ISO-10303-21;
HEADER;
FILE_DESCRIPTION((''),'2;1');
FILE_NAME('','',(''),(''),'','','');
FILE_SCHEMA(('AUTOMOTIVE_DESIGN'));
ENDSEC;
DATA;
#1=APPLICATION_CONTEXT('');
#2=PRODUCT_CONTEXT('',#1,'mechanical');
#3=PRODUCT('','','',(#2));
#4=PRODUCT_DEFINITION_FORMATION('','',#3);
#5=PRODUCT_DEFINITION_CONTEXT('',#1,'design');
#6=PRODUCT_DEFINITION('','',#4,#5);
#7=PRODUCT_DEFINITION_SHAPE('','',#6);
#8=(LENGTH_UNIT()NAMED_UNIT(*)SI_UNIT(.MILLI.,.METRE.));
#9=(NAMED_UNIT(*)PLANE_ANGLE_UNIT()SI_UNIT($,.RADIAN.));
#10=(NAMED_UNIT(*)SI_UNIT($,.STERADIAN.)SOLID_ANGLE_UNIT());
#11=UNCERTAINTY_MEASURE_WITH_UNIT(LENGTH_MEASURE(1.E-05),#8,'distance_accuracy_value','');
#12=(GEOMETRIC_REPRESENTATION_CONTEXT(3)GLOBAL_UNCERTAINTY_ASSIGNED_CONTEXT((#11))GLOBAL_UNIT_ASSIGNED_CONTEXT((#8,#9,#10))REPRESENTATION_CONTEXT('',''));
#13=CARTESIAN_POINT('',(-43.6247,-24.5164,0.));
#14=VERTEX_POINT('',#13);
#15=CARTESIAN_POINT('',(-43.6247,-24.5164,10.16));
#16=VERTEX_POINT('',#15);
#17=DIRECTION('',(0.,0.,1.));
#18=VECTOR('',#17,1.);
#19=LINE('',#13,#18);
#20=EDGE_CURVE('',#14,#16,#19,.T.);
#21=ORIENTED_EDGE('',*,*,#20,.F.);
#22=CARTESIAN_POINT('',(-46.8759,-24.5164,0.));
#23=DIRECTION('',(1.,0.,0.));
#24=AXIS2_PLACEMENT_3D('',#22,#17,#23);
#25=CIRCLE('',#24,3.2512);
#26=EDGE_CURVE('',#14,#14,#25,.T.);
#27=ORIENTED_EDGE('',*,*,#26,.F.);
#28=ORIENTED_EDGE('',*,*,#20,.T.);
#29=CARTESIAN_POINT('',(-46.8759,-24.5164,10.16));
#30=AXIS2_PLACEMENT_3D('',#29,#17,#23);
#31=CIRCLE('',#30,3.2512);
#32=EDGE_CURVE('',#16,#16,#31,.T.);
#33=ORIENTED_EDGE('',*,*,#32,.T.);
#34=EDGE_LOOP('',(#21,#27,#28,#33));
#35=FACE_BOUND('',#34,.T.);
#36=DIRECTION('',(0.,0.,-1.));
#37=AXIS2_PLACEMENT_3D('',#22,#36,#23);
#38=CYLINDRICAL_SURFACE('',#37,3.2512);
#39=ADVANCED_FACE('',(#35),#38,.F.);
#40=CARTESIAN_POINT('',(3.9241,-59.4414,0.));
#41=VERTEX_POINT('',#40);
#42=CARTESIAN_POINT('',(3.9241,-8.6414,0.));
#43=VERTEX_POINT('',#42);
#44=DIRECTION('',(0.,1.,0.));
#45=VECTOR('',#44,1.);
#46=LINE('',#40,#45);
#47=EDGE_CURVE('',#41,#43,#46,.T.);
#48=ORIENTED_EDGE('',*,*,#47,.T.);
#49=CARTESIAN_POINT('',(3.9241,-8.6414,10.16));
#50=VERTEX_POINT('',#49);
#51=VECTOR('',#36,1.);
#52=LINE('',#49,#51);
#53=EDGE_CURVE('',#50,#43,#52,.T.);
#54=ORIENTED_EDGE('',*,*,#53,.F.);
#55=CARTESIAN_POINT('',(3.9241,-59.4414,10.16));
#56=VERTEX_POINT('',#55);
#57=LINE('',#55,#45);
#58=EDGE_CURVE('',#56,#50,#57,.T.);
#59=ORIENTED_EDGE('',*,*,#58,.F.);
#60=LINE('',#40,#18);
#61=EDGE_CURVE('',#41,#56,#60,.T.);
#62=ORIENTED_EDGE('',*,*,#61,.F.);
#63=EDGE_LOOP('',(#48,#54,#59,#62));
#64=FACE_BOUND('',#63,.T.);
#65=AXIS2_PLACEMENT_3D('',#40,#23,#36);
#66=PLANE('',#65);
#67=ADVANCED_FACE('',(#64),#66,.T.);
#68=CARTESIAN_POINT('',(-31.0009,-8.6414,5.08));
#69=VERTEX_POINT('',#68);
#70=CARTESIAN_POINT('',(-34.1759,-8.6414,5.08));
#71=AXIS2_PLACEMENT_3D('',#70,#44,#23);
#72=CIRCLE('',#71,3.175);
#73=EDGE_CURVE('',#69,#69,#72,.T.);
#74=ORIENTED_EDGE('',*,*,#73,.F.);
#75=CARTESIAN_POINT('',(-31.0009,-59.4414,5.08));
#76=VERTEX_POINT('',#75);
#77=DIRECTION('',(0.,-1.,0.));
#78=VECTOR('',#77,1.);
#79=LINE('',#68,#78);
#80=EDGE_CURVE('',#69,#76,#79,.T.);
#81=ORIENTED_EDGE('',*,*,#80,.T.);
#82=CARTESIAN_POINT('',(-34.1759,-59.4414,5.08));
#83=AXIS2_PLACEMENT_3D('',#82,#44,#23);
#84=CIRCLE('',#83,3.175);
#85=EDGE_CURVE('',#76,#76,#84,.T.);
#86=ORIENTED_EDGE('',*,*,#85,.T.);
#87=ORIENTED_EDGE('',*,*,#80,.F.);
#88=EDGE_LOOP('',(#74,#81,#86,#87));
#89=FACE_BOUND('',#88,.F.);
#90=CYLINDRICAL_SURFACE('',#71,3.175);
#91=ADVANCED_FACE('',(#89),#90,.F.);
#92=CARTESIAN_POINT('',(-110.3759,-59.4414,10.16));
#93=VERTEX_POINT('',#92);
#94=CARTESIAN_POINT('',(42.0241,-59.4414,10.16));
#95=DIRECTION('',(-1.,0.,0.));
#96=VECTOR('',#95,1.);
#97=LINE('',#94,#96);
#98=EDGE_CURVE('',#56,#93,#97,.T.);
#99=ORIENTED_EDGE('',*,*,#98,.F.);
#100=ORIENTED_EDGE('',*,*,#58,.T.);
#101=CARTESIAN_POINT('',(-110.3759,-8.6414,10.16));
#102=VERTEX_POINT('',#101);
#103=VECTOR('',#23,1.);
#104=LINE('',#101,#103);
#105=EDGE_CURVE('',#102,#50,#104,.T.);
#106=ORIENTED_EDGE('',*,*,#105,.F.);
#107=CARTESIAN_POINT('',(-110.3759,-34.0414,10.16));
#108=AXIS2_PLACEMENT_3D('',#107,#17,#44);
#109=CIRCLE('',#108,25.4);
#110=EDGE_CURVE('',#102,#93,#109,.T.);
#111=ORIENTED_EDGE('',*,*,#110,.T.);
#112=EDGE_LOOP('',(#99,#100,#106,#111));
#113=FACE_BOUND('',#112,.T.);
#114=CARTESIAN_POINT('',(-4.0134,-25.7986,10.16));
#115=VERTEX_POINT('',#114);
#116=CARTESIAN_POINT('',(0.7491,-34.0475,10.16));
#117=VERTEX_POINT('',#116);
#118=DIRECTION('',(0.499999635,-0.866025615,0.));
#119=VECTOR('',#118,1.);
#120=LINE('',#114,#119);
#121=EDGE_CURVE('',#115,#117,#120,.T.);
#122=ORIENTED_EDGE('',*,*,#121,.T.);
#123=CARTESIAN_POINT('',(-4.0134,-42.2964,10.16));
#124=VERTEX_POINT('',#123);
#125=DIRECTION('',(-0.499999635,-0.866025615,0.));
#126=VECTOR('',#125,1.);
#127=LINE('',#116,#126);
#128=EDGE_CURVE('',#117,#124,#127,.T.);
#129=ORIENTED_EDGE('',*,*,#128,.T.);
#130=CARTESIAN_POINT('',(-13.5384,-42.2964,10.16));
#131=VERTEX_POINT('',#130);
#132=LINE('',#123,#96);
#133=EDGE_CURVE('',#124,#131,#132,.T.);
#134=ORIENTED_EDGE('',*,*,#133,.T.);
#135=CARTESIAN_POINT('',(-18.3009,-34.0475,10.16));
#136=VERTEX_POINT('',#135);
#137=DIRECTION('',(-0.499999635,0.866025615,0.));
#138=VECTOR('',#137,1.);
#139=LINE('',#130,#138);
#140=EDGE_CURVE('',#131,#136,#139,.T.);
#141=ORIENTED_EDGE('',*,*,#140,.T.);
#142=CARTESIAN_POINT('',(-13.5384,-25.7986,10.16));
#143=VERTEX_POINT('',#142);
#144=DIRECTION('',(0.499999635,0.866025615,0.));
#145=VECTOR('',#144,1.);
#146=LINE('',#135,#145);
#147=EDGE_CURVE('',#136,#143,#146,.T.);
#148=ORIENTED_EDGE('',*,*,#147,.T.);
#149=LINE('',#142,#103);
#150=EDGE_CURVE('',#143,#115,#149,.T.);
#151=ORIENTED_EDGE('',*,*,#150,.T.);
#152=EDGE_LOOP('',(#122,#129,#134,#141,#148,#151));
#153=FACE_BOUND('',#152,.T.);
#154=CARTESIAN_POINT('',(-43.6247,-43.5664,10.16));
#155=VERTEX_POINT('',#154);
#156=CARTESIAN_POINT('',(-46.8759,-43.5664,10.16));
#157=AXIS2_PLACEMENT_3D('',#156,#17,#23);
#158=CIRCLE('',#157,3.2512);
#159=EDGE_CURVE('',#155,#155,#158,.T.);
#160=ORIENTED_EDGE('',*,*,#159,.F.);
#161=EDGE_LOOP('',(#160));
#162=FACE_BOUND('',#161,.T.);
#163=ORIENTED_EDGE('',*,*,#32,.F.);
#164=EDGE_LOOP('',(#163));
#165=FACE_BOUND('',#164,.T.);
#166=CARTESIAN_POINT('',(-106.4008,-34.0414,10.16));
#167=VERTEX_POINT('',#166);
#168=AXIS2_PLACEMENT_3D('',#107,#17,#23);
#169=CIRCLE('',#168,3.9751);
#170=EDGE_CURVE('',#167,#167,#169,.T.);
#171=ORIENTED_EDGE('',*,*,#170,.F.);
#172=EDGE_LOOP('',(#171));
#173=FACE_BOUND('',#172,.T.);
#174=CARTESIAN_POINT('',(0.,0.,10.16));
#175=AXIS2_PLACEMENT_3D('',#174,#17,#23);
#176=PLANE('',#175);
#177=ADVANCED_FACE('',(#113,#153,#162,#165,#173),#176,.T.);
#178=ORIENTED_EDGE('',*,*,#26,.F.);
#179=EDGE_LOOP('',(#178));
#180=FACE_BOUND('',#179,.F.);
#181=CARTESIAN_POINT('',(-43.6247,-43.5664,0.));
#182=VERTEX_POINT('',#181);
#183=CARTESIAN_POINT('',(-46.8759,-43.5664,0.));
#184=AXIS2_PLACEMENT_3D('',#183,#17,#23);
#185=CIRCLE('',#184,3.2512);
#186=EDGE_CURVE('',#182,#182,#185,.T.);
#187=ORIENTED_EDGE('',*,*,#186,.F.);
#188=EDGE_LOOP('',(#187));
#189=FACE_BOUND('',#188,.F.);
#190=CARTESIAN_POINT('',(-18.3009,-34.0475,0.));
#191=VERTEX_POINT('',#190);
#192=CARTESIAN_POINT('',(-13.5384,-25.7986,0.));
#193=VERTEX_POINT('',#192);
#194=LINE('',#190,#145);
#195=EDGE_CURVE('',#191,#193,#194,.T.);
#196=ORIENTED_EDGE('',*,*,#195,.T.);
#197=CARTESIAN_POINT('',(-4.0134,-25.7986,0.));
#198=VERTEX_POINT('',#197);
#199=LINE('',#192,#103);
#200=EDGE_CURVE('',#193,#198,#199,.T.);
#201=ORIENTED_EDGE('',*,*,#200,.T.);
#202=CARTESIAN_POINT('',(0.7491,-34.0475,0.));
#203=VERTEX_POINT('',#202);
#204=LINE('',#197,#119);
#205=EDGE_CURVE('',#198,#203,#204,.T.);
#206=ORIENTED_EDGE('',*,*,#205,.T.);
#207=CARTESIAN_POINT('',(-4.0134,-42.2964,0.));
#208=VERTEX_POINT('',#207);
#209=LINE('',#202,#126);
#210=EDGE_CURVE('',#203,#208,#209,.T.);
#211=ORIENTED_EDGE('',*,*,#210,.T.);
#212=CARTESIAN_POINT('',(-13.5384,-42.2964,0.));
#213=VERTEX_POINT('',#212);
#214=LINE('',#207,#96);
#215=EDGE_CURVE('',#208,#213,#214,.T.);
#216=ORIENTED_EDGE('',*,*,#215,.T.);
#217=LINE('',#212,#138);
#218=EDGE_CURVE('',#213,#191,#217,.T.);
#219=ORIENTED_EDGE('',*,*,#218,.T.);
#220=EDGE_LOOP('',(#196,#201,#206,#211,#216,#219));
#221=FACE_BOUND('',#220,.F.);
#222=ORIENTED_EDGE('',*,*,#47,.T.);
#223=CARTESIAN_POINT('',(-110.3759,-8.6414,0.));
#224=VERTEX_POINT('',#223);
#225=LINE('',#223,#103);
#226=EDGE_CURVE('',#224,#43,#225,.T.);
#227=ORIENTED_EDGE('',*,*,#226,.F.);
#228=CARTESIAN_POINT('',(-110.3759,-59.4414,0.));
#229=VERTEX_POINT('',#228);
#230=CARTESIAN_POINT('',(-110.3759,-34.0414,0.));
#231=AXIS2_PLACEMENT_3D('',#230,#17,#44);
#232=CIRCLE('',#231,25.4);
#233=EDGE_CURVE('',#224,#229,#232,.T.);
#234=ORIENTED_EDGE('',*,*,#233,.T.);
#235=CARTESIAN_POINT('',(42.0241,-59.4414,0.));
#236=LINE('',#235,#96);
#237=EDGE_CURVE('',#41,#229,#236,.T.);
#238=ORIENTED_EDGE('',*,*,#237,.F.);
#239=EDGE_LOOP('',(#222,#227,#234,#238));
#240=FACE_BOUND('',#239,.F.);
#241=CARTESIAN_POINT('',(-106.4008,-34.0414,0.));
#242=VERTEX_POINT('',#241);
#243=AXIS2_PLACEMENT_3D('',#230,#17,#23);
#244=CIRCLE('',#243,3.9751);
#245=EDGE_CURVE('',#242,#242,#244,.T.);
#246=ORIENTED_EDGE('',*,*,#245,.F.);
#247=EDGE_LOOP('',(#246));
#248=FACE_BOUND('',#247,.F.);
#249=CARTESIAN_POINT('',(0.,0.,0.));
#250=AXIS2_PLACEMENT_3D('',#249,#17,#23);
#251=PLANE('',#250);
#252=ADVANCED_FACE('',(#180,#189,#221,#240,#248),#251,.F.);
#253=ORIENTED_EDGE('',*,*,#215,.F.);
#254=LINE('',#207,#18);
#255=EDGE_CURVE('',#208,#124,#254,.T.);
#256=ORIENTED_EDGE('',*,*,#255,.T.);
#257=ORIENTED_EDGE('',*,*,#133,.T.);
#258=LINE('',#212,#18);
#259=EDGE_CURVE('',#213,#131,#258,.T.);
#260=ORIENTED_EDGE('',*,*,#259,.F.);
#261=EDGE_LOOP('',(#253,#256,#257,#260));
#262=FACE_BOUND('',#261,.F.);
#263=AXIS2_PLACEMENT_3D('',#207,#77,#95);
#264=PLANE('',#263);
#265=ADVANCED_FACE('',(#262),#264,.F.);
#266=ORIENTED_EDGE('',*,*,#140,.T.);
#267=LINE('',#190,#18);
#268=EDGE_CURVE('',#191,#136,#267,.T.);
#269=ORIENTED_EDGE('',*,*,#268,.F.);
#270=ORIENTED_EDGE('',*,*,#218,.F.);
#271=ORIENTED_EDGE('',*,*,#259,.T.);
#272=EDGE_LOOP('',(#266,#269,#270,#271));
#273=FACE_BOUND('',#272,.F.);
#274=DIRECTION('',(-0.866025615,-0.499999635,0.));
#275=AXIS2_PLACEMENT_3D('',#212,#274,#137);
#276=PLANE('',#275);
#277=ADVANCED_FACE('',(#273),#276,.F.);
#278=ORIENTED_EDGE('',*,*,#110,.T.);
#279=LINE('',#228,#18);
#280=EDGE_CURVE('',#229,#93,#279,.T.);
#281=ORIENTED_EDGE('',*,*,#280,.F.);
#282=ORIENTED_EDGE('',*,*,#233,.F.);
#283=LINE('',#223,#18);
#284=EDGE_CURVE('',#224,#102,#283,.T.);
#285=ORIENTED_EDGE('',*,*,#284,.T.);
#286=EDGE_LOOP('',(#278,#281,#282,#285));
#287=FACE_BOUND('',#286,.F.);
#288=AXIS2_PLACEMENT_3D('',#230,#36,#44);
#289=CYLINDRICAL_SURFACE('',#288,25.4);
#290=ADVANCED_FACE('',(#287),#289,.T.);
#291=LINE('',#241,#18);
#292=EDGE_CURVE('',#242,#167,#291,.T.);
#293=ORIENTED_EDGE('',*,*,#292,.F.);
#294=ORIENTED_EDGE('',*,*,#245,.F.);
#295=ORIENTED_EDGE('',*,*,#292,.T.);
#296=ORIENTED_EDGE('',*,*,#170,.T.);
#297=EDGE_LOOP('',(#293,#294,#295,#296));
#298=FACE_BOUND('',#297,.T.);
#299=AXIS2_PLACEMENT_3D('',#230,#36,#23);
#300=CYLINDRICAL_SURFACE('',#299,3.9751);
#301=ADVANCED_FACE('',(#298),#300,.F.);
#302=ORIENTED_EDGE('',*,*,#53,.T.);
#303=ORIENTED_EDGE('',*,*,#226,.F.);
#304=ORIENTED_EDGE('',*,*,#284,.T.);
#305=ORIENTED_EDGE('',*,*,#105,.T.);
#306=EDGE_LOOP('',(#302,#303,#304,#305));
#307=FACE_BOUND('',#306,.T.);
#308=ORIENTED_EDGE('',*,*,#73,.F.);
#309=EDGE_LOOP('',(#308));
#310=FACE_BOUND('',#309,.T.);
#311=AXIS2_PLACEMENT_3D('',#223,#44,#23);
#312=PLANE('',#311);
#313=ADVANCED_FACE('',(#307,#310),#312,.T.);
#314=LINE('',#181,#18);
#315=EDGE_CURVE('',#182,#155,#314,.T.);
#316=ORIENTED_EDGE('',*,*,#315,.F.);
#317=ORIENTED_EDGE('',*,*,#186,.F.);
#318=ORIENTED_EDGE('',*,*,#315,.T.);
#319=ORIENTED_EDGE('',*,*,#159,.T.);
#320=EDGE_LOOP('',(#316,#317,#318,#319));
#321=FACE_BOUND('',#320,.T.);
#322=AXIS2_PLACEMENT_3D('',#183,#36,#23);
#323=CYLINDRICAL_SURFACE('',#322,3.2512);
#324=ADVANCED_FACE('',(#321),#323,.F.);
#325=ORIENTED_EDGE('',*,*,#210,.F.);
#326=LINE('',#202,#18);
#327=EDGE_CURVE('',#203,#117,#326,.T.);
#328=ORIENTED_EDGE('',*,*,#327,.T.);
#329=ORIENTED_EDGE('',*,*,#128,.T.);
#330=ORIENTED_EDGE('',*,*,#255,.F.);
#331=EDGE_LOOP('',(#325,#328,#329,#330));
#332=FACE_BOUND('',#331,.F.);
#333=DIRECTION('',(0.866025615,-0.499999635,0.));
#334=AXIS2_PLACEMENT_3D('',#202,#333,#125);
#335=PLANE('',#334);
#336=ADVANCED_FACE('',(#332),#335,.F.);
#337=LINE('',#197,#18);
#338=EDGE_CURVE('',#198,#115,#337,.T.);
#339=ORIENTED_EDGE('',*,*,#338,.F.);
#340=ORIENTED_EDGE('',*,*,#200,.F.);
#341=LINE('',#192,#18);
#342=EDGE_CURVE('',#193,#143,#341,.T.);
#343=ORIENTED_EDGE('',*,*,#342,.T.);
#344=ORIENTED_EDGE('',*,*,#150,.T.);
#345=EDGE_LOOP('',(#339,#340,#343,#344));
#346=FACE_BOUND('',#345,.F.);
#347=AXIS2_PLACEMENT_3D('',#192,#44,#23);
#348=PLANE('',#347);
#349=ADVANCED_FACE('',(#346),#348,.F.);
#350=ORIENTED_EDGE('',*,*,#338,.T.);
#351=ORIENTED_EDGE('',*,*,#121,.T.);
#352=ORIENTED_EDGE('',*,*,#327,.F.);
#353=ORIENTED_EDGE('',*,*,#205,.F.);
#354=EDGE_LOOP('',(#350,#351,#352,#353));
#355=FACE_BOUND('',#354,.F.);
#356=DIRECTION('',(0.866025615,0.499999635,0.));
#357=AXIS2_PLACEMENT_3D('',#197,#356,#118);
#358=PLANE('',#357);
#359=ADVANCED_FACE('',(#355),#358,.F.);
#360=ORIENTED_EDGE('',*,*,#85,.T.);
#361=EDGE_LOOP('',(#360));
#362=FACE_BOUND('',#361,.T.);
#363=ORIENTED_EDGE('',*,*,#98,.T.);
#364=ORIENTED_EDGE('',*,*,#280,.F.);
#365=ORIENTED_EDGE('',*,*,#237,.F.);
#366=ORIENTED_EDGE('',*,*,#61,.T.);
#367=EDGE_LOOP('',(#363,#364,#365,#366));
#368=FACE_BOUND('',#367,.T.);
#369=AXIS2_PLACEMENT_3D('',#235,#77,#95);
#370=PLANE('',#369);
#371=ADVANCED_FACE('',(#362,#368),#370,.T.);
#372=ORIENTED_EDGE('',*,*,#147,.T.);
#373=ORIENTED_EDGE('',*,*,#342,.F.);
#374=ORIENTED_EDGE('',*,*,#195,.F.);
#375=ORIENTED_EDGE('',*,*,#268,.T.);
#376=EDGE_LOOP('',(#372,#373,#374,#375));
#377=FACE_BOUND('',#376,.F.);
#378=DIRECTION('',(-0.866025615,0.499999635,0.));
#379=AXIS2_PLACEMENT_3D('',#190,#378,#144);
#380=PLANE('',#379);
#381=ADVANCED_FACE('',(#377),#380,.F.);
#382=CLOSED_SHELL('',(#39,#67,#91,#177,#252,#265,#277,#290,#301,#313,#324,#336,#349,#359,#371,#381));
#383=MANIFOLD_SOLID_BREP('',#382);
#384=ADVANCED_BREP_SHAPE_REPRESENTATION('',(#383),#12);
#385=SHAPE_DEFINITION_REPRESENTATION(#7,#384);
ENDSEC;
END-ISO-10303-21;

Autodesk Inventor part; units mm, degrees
ref_plane "YZ Plane" through (0, 0, 0) normal (1, 0, 0) x (0, 1, 0)
ref_plane "XZ Plane" through (0, 0, 0) normal (0, 1, 0) x (-1, 0, 0)
sketch "Sketch1" plane through (0, 0, 0) normal (0, 0, 1) x (1, 0, 0)
  line L0 (-110.3759, -8.6414) -> (42.0241, -8.6414)
  line L1 (42.0241, -8.6414) -> (42.0241, -59.4414)
  line L2 (42.0241, -59.4414) -> (-110.3759, -59.4414)
  circle A0 centre (-46.8759, -24.5164) radius 3.2512
  circle A1 centre (-46.8759, -43.5664) radius 3.2512
  line L3 (-13.5384, -25.7986) -> (-4.0134, -25.7986)
  line L4 (-4.0134, -25.7986) -> (0.7491, -34.0475)
  line L5 (0.7491, -34.0475) -> (-4.0134, -42.2964)
  line L6 (-4.0134, -42.2964) -> (-13.5384, -42.2964)
  line L7 (-13.5384, -42.2964) -> (-18.3009, -34.0475)
  line L8 (-18.3009, -34.0475) -> (-13.5384, -25.7986)
  circle A2 centre (-110.3759, -34.0414) radius 3.9751
  arc A3 (-110.3759, -8.6414) -> (-110.3759, -59.4414) centre (-110.3759, -34.0414) ccw
  point P0 (0, 0)
  point P1 (-8.7759, -34.0414)
  point P2 (-8.7759, -42.2964)
  dimension "d4" = 6.5024
  dimension "d5" = 6.5024
  dimension "d9" = 152.4
  dimension "d10" = 9.525
  dimension "d11" = 9.525
  dimension "d13" = 120
  dimension "d16" = 9.525
  dimension "d17" = 9.525
  dimension "d18" = 120
  dimension "d19" = 9.525
  dimension "d20" = 9.525
  dimension "d21" = 50.8
  dimension "d22" = 8.255
  dimension "d23" = 9.525
  dimension "d25" = 7.9502
  dimension "d27" = 9.525
  dimension "d37" = 19.05
  dimension "d38" = 50.8
  dimension "d39" = 25.4
  dimension "d40" = 63.5
  dimension "d51" = 101.6
extrude "Extrusion1" add sketch "Sketch1" along normal blind 10.16
ref_plane "Work Plane1" through (-110.3759, -8.6414, 0) normal (0, 1, 0) x (1, 0, 0)
sketch "Sketch3" plane through (-110.3759, -8.6414, 0) normal (0, 1, 0) x (1, 0, 0)
  line L0 (50.8, 1.8056) -> (50.8, -17.2484)
  line L1 (152.4, 0) -> (152.4, -10.16) projected
  circle A0 centre (76.2, -5.08) radius 3.175
  point P0 (110.3759, 0)
  point P1 (152.4, -5.08)
  dimension "d46" = 101.6
  dimension "d47" = 6.35
  dimension "d48" = 25.4
extrude "Extrusion2" cut sketch "Sketch3" against normal blind 50.8
sketch "Sketch4" plane through (42.0241, -59.4414, 0) normal (1, 0, 0) x (0, 0, -1)
  line L0 (-10.16, 0) -> (-10.16, 50.8) projected
  line L1 (0, 0) -> (0, 50.8) projected
  line L2 (-10.16, 50.8) -> (0, 50.8)
  line L3 (0, 50.8) -> (0, 0)
  line L4 (0, 0) -> (-10.16, 0)
  line L5 (-10.16, 0) -> (-10.16, 50.8)
  point P0 (0, 59.4414)
  point P1 (-10.16, 0)
extrude "Extrusion3" cut sketch "Sketch4" against normal blind 38.1
properties part number "new plates for arm"
